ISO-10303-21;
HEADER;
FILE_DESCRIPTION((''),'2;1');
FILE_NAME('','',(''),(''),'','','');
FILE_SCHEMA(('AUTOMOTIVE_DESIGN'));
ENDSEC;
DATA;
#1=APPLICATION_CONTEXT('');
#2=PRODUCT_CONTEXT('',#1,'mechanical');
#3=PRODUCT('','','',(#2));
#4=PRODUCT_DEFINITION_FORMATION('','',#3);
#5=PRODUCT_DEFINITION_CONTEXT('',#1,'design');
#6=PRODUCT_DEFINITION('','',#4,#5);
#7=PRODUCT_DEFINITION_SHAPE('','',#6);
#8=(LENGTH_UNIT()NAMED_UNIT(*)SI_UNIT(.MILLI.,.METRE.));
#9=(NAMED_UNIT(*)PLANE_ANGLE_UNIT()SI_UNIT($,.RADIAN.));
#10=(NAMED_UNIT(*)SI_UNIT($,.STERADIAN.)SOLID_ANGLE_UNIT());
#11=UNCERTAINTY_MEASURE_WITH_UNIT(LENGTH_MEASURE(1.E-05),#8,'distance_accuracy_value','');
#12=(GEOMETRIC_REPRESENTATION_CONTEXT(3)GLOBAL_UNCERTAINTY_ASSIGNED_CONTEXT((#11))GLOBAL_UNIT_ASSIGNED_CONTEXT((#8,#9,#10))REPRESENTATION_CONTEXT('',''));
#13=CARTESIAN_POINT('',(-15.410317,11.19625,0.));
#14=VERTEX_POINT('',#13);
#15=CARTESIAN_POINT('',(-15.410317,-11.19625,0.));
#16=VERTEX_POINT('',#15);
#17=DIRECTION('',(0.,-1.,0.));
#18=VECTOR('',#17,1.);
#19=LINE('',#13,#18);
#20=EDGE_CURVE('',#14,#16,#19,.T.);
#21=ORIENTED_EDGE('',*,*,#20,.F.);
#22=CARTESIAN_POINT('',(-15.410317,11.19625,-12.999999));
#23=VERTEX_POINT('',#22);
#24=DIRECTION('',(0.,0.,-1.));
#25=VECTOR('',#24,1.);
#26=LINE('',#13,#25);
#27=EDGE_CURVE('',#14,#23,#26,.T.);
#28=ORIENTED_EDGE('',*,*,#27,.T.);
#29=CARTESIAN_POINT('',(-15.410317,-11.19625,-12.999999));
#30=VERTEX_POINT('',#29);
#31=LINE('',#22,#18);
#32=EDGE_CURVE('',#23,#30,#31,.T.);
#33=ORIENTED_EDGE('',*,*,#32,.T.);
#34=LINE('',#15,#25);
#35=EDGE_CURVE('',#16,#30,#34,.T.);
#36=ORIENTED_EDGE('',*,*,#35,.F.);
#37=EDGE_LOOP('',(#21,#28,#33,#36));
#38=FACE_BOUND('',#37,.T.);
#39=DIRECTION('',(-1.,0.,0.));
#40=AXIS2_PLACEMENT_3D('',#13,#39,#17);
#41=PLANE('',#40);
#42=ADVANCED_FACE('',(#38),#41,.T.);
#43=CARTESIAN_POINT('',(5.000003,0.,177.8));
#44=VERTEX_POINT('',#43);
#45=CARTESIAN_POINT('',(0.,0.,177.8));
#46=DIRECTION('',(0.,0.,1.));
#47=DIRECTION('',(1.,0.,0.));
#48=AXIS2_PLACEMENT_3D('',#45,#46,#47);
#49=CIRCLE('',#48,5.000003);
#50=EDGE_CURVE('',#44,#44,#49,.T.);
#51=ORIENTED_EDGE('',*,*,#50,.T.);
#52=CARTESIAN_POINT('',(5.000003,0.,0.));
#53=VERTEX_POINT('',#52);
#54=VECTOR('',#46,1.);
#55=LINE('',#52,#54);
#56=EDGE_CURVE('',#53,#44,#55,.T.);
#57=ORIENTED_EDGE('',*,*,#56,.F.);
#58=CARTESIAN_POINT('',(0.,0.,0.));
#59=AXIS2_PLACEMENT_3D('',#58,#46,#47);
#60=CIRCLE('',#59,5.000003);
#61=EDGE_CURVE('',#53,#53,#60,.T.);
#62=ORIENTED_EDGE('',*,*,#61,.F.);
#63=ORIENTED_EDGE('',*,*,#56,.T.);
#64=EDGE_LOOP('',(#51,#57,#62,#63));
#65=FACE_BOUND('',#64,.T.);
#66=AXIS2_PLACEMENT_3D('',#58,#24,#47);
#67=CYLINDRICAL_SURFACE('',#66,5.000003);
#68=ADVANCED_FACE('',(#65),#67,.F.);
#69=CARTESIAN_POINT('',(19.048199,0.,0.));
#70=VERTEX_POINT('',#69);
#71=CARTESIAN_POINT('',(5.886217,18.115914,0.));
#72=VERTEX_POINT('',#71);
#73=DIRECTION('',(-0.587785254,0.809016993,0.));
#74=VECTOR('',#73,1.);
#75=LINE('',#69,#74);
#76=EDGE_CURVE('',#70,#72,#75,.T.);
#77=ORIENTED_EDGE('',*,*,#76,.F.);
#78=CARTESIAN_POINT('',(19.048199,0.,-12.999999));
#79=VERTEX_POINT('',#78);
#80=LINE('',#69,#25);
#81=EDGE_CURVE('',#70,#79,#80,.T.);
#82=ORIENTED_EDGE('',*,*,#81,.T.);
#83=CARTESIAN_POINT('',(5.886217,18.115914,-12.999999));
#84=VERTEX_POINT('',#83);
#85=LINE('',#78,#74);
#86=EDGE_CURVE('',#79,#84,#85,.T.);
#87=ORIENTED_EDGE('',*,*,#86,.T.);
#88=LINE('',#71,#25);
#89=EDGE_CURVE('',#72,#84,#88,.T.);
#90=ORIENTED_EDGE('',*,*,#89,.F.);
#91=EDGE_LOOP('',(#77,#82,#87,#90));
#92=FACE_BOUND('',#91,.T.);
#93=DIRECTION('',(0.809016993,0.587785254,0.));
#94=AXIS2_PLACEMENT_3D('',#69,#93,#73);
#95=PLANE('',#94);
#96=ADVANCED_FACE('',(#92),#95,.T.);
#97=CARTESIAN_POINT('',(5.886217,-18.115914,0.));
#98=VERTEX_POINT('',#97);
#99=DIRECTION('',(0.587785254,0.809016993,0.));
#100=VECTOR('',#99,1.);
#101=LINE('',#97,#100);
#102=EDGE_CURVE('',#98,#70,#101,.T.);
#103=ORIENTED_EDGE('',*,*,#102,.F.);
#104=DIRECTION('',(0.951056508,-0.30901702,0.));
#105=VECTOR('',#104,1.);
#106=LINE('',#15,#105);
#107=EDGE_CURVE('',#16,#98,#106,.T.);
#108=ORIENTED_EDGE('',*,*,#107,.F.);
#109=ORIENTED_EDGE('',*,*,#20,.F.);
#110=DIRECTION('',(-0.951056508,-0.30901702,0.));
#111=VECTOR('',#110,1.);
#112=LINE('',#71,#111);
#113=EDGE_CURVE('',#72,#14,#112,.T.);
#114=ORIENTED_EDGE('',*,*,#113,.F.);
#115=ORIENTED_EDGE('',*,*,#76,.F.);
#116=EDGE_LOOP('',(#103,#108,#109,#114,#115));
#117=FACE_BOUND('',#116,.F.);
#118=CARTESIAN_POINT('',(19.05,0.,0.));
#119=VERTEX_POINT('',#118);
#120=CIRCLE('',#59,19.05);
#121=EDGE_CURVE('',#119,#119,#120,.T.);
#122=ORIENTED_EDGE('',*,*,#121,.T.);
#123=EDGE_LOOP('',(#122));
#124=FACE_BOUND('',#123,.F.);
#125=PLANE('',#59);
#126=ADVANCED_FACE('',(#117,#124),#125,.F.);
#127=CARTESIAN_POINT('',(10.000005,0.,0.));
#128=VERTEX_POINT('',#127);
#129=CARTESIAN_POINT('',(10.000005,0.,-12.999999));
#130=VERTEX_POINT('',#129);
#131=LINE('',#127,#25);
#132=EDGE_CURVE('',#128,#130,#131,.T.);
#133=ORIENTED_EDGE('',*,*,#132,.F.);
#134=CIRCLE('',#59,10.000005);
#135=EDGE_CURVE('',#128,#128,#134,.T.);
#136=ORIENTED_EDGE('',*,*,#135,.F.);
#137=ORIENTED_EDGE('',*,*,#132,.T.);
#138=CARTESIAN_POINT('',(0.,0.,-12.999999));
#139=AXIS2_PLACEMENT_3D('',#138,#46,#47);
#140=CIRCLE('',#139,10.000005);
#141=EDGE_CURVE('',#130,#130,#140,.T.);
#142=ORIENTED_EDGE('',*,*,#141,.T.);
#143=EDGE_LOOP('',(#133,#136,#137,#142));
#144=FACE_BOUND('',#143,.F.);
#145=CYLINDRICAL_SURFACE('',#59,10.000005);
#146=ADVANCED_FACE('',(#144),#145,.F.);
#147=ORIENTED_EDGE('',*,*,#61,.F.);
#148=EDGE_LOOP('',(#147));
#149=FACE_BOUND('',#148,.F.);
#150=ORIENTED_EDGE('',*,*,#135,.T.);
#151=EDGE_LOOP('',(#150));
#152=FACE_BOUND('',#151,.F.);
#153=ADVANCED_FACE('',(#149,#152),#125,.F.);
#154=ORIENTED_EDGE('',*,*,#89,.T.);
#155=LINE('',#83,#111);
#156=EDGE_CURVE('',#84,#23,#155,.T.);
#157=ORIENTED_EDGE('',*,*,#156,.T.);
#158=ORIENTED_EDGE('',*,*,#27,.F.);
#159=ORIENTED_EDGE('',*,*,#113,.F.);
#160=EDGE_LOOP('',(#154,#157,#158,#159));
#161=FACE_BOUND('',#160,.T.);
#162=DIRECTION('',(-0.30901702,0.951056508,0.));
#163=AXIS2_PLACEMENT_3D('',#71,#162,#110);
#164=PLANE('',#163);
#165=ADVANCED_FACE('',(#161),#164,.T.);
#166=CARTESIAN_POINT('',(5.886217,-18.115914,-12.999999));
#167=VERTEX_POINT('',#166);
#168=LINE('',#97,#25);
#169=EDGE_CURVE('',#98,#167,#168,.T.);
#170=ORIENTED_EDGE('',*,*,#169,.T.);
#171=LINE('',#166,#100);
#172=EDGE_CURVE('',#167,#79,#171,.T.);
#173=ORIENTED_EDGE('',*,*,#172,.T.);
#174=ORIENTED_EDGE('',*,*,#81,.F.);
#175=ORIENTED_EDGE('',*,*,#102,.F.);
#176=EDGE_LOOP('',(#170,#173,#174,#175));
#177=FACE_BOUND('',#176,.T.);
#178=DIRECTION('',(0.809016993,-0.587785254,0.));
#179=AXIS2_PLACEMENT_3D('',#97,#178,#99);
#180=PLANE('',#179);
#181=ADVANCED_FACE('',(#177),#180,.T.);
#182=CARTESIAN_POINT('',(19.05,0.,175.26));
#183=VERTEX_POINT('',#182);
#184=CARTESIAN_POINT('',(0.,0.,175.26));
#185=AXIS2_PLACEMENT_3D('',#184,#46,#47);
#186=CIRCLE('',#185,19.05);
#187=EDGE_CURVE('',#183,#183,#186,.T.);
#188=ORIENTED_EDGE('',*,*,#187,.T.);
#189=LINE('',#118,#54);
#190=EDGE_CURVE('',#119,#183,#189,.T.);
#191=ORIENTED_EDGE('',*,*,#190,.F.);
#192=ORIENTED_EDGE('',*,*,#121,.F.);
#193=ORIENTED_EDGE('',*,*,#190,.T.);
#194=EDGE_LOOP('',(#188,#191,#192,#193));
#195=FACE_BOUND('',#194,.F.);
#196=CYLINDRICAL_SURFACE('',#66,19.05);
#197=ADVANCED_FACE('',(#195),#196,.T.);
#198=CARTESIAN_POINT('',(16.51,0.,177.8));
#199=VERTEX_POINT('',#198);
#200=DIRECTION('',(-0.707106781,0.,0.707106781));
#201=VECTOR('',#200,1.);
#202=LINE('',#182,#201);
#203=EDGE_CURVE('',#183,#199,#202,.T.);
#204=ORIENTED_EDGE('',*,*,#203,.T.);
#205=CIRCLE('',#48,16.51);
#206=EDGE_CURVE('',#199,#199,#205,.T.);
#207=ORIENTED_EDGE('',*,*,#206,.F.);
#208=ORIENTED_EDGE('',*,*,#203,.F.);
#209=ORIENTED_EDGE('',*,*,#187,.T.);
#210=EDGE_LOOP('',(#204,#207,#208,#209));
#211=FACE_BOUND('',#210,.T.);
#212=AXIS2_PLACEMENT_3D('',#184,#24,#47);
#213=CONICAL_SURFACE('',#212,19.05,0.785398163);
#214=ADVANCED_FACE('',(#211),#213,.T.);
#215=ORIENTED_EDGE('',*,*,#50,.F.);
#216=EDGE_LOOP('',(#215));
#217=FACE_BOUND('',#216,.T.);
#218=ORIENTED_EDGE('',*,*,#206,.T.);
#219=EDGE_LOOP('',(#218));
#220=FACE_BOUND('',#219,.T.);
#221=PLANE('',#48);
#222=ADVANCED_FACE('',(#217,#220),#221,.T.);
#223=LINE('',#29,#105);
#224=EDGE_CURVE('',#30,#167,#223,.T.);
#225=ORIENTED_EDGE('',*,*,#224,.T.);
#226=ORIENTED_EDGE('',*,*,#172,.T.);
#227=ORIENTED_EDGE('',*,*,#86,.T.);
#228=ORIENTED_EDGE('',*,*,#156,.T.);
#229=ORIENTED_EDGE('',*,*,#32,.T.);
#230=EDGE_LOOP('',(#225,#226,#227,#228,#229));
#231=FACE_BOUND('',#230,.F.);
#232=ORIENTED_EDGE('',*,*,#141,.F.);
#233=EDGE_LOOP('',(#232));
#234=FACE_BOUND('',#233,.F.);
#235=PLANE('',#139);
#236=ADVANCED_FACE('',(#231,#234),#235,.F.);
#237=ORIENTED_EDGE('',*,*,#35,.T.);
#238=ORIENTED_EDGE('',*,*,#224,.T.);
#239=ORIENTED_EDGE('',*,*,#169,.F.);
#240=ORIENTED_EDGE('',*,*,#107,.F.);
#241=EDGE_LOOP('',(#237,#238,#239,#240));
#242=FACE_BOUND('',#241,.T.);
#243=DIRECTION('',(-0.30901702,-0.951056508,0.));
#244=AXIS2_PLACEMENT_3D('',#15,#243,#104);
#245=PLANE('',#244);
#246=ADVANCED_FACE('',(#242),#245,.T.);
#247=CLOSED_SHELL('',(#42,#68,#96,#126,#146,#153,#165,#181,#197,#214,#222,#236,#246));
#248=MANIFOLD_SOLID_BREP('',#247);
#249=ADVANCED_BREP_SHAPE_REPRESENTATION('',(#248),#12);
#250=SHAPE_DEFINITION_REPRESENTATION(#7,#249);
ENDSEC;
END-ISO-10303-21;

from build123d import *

# Parameters (mm, degrees)
F0_R     = 19.05
F0_R_2   = 5.000003
F1_DEPTH = 177.8
F2_R     = 10.000005
F3_DEPTH = 12.999999
F4_SIZE  = 2.54


with BuildPart() as f1:
    # F0 (on Top) → F1 (new body)
    with BuildSketch(Plane.XY):
        Circle(F0_R)
        Circle(F0_R_2, mode=Mode.SUBTRACT)
    extrude(amount=F1_DEPTH)

    # F2 (on Top) → F3 (join)
    with BuildSketch(Plane.XY):
        Polygon((5.886217, -18.115914), (19.048199, 0), (5.886217, 18.115914), (-15.410317, 11.19625), (-15.410317, -11.19625), align=None)
        Circle(F2_R, mode=Mode.SUBTRACT)
    extrude(amount=-F3_DEPTH)

    # F4
    f4_edges = [f1.edges().sort_by_distance(p)[0] for p in [
        (-19.05, 0, 177.8),
    ]]
    chamfer(f4_edges, length=F4_SIZE)


solid = f1.part
